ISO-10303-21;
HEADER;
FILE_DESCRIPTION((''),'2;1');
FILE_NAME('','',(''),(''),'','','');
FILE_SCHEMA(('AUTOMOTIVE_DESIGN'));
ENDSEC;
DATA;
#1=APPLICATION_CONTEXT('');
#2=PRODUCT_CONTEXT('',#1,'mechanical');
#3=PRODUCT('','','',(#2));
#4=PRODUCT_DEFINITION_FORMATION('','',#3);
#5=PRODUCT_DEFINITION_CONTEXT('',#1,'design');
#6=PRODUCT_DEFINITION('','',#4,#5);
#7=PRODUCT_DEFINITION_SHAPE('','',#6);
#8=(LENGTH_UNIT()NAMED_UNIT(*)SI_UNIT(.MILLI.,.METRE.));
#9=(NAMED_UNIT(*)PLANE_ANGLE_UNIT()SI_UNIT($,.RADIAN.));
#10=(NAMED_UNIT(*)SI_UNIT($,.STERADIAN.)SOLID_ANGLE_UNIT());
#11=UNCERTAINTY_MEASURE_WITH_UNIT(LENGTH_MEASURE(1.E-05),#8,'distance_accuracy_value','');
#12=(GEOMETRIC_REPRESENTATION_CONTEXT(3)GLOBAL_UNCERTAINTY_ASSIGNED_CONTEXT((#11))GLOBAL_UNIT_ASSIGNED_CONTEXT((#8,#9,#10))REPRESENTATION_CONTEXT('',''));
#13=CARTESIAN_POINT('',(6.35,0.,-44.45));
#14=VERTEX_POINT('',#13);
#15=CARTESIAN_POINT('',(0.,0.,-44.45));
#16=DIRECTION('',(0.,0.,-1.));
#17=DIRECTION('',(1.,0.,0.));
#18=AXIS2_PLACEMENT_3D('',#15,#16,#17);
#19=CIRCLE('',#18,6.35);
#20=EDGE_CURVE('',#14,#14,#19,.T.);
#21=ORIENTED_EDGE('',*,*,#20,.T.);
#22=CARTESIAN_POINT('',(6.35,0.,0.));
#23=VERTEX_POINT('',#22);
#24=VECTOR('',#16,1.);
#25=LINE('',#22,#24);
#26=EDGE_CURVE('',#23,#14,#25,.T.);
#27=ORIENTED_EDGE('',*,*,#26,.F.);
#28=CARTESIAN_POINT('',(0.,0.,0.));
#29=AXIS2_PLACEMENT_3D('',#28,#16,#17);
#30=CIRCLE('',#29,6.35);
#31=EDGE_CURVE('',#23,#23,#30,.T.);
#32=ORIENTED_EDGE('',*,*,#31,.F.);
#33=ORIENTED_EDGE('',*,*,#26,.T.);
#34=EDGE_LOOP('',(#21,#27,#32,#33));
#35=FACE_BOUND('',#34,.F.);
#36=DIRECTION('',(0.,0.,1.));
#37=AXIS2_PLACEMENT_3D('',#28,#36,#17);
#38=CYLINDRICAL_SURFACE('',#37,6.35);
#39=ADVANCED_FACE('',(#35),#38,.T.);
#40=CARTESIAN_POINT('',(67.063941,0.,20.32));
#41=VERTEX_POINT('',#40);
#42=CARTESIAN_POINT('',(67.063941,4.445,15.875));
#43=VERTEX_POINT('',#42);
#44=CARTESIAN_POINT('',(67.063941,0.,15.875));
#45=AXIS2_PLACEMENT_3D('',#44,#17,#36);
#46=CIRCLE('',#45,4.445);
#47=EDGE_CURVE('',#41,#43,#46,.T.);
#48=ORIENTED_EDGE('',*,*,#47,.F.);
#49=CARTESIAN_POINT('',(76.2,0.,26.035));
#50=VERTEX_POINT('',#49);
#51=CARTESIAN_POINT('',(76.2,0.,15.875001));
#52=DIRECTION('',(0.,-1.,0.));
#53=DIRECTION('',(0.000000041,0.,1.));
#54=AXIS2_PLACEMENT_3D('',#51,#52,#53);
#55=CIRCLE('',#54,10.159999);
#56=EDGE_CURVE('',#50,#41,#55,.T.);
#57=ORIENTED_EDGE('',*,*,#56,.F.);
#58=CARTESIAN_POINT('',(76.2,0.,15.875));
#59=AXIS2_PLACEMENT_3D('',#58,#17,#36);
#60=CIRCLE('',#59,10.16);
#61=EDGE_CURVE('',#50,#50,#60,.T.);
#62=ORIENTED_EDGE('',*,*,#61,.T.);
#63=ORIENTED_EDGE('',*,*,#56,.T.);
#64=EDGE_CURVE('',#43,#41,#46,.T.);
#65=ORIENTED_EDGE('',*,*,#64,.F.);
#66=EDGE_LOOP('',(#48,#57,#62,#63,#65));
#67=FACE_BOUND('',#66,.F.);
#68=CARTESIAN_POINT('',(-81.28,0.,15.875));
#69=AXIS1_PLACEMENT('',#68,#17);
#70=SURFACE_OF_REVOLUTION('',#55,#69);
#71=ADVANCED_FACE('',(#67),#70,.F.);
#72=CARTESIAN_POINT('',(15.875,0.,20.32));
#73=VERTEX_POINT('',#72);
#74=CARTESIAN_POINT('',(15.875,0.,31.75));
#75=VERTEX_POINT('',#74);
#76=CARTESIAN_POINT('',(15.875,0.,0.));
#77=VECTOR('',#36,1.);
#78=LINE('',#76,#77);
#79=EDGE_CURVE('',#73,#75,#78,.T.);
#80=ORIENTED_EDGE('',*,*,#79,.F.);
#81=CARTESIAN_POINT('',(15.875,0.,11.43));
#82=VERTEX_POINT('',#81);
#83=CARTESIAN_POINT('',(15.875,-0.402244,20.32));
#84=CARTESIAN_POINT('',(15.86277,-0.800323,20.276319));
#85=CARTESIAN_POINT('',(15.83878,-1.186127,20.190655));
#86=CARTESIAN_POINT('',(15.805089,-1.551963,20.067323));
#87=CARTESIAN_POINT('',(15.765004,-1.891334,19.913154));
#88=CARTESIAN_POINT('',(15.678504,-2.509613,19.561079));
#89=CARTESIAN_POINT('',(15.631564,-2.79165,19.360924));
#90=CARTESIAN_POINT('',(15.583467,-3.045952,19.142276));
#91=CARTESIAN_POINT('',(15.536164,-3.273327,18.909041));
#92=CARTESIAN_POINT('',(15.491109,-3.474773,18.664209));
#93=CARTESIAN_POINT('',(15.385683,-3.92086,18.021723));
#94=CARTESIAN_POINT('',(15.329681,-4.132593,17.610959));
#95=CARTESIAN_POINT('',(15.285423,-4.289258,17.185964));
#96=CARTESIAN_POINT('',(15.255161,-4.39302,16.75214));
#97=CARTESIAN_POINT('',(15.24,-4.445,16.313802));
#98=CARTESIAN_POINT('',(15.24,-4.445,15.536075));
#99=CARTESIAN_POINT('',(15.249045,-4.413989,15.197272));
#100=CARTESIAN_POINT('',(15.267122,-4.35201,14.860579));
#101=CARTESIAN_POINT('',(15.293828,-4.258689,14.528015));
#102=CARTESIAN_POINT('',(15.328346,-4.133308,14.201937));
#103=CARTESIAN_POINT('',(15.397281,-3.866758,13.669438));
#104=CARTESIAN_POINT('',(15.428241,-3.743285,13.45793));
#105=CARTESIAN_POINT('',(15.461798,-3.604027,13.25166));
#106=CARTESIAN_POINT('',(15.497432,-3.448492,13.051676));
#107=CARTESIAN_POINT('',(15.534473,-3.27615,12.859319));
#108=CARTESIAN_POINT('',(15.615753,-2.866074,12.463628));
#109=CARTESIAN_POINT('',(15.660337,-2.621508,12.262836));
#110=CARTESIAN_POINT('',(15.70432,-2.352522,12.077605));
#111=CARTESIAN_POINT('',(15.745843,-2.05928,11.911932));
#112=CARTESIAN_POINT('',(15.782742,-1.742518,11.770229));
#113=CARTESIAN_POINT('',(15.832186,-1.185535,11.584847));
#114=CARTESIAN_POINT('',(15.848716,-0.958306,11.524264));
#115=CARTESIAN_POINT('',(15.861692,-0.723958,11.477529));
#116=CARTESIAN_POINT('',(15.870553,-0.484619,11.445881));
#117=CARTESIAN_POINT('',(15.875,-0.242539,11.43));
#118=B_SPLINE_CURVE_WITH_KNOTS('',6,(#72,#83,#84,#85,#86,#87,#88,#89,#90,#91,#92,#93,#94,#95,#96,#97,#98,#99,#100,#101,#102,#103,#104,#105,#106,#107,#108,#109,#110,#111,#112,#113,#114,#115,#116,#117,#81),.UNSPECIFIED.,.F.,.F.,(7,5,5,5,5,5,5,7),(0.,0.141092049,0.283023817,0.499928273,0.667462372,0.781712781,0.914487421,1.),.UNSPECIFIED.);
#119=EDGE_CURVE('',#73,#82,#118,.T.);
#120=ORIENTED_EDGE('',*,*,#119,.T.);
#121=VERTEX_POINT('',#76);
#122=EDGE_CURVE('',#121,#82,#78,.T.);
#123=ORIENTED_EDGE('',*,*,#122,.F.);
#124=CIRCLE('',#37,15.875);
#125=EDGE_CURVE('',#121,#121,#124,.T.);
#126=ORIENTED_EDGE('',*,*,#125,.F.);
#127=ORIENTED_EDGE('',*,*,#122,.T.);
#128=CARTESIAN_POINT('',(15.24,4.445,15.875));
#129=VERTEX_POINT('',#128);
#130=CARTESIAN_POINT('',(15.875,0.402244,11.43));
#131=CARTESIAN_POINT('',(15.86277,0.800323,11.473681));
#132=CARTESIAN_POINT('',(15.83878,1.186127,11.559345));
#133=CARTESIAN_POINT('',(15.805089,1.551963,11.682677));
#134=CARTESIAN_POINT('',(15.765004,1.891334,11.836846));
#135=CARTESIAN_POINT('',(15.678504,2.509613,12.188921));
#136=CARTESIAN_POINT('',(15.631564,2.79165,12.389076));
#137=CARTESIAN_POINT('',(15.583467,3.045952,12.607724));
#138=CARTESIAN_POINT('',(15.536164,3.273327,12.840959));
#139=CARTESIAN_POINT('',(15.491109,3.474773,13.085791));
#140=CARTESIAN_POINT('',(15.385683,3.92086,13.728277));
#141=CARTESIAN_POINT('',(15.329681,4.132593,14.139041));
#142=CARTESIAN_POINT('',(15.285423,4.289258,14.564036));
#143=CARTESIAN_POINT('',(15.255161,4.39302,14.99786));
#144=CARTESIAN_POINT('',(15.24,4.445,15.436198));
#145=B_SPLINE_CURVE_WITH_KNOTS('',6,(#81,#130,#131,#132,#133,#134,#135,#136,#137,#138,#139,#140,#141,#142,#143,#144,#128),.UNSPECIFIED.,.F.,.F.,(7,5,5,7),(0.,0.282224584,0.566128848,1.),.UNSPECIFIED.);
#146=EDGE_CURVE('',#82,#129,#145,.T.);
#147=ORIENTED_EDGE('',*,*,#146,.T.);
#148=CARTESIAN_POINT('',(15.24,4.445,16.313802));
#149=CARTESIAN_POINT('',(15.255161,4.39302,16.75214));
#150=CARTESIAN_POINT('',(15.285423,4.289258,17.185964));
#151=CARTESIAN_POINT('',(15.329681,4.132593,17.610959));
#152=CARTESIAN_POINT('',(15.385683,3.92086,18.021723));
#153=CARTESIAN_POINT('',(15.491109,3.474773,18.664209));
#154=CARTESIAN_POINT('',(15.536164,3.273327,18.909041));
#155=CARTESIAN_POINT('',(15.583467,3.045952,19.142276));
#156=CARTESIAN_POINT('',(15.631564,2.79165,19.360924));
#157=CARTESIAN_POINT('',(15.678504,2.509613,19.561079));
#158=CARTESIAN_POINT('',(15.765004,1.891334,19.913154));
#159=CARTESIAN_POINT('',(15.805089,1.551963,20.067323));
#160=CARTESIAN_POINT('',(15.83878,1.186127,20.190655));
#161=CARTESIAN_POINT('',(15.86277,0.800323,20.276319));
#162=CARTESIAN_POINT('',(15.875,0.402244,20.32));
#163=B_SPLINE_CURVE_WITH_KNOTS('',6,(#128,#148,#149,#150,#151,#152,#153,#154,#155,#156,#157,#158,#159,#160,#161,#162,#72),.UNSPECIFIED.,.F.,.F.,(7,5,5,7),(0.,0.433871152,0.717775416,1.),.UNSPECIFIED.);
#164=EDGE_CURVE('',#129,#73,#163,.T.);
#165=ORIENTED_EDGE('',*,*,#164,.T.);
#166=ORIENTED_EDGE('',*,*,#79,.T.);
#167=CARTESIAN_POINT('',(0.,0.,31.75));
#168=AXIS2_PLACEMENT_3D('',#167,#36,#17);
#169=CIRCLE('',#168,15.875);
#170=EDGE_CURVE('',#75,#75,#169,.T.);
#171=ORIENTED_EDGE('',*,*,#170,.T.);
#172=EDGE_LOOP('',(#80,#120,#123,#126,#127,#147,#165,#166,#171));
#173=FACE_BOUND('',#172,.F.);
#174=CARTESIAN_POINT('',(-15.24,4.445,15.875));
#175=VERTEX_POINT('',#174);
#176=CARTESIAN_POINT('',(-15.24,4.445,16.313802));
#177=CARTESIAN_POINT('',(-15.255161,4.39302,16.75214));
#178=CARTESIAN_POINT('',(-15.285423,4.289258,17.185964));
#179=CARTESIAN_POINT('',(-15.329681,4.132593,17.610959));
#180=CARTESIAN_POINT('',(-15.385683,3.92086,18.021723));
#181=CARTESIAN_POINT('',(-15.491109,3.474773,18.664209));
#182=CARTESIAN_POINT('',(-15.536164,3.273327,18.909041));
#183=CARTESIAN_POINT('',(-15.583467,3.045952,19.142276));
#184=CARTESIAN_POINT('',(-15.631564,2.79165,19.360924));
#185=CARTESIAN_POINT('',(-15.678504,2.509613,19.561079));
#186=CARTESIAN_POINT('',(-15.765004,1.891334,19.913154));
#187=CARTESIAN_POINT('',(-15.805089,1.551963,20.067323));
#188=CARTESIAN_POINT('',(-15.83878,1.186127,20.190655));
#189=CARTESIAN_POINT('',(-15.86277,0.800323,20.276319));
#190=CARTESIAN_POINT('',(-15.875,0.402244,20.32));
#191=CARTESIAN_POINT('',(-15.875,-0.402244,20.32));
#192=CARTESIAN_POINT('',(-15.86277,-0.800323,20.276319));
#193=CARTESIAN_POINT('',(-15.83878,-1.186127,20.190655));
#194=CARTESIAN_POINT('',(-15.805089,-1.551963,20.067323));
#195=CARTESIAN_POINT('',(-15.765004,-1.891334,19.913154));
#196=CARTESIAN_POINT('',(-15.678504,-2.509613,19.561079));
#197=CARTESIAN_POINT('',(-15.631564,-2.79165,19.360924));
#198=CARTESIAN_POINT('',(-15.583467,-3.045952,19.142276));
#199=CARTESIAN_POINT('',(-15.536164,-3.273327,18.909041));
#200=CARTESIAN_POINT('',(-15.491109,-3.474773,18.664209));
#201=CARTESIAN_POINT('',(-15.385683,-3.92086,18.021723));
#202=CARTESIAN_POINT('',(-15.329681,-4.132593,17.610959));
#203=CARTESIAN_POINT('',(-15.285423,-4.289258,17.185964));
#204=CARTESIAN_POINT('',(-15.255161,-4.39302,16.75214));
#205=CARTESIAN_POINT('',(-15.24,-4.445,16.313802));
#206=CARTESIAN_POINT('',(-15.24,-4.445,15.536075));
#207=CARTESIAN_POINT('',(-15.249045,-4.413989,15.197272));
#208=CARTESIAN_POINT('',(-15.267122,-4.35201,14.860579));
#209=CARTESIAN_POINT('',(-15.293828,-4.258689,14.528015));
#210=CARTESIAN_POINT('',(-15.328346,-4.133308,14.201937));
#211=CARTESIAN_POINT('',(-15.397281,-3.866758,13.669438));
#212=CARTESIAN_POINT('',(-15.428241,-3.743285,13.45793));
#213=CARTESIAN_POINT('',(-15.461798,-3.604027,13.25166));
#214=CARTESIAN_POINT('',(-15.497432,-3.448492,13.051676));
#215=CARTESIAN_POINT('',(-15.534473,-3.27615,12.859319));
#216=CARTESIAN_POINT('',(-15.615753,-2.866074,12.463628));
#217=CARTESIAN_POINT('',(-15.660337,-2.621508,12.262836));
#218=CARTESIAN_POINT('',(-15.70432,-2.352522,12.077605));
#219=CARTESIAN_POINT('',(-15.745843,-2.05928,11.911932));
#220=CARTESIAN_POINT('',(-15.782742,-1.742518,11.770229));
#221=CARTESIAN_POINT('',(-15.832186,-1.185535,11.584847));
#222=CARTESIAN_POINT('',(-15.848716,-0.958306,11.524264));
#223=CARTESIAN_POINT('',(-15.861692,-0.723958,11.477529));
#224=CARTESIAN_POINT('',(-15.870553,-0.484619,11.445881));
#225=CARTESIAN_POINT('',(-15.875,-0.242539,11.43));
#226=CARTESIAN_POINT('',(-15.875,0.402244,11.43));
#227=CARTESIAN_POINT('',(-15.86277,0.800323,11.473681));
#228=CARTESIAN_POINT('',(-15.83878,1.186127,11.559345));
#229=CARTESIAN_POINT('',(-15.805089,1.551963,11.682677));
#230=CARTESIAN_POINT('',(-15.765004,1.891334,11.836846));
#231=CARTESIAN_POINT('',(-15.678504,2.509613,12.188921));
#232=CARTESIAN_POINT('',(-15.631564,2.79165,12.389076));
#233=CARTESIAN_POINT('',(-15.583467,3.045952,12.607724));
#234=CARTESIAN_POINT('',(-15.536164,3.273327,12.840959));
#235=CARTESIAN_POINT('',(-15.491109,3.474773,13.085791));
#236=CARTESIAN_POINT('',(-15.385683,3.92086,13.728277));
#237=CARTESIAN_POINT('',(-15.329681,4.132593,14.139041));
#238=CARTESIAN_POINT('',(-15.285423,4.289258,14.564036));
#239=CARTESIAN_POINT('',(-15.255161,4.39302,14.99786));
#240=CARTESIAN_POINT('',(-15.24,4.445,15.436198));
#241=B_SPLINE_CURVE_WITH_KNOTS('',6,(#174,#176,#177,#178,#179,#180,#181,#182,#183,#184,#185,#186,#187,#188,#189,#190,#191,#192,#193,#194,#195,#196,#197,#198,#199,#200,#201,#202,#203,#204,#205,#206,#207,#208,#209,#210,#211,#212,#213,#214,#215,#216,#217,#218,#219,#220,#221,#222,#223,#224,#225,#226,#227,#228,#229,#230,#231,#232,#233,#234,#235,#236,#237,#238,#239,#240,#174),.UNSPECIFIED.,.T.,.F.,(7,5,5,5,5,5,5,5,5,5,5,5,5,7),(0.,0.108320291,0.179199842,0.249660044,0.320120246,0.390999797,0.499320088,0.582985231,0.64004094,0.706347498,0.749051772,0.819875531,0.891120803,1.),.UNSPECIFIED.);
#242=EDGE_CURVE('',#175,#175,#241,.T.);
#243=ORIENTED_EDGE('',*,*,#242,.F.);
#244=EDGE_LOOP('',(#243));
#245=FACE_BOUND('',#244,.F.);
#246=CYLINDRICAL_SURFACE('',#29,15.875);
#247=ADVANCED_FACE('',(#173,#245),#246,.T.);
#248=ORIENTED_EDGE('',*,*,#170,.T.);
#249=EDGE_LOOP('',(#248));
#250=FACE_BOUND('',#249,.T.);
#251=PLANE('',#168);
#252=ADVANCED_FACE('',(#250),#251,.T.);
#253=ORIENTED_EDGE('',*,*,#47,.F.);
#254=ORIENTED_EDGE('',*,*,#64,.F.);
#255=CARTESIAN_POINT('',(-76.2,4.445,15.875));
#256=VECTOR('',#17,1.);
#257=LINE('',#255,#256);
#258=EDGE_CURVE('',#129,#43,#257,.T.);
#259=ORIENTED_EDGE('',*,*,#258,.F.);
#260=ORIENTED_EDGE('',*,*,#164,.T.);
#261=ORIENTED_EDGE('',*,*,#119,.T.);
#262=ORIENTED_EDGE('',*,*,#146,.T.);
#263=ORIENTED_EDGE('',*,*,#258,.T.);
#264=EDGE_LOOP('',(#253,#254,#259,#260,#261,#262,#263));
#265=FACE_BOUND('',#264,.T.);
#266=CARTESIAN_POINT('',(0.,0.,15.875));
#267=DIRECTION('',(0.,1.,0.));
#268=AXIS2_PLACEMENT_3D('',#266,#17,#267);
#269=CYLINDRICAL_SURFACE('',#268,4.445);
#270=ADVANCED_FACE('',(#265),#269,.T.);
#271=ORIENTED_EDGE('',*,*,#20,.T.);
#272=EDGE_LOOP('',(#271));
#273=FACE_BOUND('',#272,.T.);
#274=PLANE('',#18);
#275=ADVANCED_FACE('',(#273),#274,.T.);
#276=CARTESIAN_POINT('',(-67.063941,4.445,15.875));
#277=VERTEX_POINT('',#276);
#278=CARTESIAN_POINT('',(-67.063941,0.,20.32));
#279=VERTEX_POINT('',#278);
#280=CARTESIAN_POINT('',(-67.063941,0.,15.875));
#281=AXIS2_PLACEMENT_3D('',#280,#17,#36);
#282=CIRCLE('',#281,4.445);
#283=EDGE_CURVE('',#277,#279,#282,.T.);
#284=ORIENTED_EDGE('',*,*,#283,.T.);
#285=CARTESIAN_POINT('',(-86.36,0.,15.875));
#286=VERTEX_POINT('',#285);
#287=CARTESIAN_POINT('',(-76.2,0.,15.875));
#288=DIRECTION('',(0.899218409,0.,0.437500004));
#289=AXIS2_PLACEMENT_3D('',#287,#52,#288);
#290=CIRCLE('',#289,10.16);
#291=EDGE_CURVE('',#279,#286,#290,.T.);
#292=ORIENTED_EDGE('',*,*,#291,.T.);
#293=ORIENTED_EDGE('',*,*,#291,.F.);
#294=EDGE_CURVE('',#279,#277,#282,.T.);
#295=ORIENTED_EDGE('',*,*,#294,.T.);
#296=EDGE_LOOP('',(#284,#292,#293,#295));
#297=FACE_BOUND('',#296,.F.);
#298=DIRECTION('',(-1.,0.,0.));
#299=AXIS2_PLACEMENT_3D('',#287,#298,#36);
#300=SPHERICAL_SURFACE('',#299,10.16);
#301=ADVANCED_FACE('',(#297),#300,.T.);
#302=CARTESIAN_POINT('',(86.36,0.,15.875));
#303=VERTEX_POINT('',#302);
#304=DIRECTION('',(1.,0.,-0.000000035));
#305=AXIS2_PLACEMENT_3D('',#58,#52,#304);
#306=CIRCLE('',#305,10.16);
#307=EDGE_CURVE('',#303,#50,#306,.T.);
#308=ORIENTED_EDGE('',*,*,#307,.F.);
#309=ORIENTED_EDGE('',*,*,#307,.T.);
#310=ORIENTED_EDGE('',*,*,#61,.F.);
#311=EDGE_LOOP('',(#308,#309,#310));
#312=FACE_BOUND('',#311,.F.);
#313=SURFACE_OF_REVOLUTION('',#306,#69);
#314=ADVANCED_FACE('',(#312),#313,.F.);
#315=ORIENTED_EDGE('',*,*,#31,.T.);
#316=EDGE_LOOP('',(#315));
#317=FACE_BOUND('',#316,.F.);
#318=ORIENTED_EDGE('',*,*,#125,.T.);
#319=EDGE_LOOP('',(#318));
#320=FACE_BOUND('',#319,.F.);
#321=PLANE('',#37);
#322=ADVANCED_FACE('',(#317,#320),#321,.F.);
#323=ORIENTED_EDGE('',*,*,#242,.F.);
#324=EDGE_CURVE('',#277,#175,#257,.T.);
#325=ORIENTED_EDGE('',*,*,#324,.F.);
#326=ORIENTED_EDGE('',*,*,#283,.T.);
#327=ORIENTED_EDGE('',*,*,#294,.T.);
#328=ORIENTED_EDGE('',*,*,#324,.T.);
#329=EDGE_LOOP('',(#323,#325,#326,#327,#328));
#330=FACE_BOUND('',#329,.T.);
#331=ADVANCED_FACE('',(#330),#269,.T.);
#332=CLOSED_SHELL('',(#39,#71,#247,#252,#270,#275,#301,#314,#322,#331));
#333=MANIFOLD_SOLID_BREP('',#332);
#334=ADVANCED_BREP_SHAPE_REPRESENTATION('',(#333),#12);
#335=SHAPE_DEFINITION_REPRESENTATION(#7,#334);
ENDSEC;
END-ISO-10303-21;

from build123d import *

# Parameters (mm, degrees)
F0_R     = 15.875
F1_DEPTH = 31.75
F2_R     = 6.35
F3_DEPTH = 44.45
F4_R     = 4.445
F5_DEPTH = 76.2


with BuildPart() as f1:
    # F0 (on Top) → F1 (new body)
    with BuildSketch(Plane.XY):
        Circle(F0_R)
    extrude(amount=F1_DEPTH)

    # F2 (on face) → F3 (join)
    with BuildSketch(Plane(origin=(0, 0, 0), x_dir=(1, 0, 0), z_dir=(0, 0, -1))):
        Circle(F2_R)
    extrude(amount=F3_DEPTH)

    # F4 (on Right) → F5 (join, symmetric)
    with BuildSketch(Plane.YZ):
        with Locations((0, 15.875)):
            Circle(F4_R)
    extrude(amount=F5_DEPTH, both=True)

    # F6 (on Front) → F7 (revolve)
    with BuildSketch(Plane.XZ):
        with BuildLine():
            Line((-76.2, 15.875), (-76.2, 20.32))
            Line((-76.2, 20.32), (-67.063941, 20.32))
            ThreePointArc((-67.063941, 20.32), (-78.480706, 25.775706), (-86.36, 15.875))
            Line((-86.36, 15.875), (-76.2, 15.875))
        make_face()
        with BuildLine():
            Line((76.2, 26.035), (76.2, 20.32))
            Line((76.2, 20.32), (76.2, 15.875))
            Line((76.2, 15.875), (86.36, 15.875))
            ThreePointArc((86.36, 15.875), (83.384205, 23.059205), (76.2, 26.035))
        make_face()
        with BuildLine():
            ThreePointArc((76.2, 26.035), (70.811846, 24.488559), (67.063941, 20.32))
            Line((67.063941, 20.32), (76.2, 20.32))
            Line((76.2, 20.32), (76.2, 26.035))
        make_face()
    revolve(axis=Axis((-81.28, 0, 15.875), (1, 0, 0)))


solid = f1.part
